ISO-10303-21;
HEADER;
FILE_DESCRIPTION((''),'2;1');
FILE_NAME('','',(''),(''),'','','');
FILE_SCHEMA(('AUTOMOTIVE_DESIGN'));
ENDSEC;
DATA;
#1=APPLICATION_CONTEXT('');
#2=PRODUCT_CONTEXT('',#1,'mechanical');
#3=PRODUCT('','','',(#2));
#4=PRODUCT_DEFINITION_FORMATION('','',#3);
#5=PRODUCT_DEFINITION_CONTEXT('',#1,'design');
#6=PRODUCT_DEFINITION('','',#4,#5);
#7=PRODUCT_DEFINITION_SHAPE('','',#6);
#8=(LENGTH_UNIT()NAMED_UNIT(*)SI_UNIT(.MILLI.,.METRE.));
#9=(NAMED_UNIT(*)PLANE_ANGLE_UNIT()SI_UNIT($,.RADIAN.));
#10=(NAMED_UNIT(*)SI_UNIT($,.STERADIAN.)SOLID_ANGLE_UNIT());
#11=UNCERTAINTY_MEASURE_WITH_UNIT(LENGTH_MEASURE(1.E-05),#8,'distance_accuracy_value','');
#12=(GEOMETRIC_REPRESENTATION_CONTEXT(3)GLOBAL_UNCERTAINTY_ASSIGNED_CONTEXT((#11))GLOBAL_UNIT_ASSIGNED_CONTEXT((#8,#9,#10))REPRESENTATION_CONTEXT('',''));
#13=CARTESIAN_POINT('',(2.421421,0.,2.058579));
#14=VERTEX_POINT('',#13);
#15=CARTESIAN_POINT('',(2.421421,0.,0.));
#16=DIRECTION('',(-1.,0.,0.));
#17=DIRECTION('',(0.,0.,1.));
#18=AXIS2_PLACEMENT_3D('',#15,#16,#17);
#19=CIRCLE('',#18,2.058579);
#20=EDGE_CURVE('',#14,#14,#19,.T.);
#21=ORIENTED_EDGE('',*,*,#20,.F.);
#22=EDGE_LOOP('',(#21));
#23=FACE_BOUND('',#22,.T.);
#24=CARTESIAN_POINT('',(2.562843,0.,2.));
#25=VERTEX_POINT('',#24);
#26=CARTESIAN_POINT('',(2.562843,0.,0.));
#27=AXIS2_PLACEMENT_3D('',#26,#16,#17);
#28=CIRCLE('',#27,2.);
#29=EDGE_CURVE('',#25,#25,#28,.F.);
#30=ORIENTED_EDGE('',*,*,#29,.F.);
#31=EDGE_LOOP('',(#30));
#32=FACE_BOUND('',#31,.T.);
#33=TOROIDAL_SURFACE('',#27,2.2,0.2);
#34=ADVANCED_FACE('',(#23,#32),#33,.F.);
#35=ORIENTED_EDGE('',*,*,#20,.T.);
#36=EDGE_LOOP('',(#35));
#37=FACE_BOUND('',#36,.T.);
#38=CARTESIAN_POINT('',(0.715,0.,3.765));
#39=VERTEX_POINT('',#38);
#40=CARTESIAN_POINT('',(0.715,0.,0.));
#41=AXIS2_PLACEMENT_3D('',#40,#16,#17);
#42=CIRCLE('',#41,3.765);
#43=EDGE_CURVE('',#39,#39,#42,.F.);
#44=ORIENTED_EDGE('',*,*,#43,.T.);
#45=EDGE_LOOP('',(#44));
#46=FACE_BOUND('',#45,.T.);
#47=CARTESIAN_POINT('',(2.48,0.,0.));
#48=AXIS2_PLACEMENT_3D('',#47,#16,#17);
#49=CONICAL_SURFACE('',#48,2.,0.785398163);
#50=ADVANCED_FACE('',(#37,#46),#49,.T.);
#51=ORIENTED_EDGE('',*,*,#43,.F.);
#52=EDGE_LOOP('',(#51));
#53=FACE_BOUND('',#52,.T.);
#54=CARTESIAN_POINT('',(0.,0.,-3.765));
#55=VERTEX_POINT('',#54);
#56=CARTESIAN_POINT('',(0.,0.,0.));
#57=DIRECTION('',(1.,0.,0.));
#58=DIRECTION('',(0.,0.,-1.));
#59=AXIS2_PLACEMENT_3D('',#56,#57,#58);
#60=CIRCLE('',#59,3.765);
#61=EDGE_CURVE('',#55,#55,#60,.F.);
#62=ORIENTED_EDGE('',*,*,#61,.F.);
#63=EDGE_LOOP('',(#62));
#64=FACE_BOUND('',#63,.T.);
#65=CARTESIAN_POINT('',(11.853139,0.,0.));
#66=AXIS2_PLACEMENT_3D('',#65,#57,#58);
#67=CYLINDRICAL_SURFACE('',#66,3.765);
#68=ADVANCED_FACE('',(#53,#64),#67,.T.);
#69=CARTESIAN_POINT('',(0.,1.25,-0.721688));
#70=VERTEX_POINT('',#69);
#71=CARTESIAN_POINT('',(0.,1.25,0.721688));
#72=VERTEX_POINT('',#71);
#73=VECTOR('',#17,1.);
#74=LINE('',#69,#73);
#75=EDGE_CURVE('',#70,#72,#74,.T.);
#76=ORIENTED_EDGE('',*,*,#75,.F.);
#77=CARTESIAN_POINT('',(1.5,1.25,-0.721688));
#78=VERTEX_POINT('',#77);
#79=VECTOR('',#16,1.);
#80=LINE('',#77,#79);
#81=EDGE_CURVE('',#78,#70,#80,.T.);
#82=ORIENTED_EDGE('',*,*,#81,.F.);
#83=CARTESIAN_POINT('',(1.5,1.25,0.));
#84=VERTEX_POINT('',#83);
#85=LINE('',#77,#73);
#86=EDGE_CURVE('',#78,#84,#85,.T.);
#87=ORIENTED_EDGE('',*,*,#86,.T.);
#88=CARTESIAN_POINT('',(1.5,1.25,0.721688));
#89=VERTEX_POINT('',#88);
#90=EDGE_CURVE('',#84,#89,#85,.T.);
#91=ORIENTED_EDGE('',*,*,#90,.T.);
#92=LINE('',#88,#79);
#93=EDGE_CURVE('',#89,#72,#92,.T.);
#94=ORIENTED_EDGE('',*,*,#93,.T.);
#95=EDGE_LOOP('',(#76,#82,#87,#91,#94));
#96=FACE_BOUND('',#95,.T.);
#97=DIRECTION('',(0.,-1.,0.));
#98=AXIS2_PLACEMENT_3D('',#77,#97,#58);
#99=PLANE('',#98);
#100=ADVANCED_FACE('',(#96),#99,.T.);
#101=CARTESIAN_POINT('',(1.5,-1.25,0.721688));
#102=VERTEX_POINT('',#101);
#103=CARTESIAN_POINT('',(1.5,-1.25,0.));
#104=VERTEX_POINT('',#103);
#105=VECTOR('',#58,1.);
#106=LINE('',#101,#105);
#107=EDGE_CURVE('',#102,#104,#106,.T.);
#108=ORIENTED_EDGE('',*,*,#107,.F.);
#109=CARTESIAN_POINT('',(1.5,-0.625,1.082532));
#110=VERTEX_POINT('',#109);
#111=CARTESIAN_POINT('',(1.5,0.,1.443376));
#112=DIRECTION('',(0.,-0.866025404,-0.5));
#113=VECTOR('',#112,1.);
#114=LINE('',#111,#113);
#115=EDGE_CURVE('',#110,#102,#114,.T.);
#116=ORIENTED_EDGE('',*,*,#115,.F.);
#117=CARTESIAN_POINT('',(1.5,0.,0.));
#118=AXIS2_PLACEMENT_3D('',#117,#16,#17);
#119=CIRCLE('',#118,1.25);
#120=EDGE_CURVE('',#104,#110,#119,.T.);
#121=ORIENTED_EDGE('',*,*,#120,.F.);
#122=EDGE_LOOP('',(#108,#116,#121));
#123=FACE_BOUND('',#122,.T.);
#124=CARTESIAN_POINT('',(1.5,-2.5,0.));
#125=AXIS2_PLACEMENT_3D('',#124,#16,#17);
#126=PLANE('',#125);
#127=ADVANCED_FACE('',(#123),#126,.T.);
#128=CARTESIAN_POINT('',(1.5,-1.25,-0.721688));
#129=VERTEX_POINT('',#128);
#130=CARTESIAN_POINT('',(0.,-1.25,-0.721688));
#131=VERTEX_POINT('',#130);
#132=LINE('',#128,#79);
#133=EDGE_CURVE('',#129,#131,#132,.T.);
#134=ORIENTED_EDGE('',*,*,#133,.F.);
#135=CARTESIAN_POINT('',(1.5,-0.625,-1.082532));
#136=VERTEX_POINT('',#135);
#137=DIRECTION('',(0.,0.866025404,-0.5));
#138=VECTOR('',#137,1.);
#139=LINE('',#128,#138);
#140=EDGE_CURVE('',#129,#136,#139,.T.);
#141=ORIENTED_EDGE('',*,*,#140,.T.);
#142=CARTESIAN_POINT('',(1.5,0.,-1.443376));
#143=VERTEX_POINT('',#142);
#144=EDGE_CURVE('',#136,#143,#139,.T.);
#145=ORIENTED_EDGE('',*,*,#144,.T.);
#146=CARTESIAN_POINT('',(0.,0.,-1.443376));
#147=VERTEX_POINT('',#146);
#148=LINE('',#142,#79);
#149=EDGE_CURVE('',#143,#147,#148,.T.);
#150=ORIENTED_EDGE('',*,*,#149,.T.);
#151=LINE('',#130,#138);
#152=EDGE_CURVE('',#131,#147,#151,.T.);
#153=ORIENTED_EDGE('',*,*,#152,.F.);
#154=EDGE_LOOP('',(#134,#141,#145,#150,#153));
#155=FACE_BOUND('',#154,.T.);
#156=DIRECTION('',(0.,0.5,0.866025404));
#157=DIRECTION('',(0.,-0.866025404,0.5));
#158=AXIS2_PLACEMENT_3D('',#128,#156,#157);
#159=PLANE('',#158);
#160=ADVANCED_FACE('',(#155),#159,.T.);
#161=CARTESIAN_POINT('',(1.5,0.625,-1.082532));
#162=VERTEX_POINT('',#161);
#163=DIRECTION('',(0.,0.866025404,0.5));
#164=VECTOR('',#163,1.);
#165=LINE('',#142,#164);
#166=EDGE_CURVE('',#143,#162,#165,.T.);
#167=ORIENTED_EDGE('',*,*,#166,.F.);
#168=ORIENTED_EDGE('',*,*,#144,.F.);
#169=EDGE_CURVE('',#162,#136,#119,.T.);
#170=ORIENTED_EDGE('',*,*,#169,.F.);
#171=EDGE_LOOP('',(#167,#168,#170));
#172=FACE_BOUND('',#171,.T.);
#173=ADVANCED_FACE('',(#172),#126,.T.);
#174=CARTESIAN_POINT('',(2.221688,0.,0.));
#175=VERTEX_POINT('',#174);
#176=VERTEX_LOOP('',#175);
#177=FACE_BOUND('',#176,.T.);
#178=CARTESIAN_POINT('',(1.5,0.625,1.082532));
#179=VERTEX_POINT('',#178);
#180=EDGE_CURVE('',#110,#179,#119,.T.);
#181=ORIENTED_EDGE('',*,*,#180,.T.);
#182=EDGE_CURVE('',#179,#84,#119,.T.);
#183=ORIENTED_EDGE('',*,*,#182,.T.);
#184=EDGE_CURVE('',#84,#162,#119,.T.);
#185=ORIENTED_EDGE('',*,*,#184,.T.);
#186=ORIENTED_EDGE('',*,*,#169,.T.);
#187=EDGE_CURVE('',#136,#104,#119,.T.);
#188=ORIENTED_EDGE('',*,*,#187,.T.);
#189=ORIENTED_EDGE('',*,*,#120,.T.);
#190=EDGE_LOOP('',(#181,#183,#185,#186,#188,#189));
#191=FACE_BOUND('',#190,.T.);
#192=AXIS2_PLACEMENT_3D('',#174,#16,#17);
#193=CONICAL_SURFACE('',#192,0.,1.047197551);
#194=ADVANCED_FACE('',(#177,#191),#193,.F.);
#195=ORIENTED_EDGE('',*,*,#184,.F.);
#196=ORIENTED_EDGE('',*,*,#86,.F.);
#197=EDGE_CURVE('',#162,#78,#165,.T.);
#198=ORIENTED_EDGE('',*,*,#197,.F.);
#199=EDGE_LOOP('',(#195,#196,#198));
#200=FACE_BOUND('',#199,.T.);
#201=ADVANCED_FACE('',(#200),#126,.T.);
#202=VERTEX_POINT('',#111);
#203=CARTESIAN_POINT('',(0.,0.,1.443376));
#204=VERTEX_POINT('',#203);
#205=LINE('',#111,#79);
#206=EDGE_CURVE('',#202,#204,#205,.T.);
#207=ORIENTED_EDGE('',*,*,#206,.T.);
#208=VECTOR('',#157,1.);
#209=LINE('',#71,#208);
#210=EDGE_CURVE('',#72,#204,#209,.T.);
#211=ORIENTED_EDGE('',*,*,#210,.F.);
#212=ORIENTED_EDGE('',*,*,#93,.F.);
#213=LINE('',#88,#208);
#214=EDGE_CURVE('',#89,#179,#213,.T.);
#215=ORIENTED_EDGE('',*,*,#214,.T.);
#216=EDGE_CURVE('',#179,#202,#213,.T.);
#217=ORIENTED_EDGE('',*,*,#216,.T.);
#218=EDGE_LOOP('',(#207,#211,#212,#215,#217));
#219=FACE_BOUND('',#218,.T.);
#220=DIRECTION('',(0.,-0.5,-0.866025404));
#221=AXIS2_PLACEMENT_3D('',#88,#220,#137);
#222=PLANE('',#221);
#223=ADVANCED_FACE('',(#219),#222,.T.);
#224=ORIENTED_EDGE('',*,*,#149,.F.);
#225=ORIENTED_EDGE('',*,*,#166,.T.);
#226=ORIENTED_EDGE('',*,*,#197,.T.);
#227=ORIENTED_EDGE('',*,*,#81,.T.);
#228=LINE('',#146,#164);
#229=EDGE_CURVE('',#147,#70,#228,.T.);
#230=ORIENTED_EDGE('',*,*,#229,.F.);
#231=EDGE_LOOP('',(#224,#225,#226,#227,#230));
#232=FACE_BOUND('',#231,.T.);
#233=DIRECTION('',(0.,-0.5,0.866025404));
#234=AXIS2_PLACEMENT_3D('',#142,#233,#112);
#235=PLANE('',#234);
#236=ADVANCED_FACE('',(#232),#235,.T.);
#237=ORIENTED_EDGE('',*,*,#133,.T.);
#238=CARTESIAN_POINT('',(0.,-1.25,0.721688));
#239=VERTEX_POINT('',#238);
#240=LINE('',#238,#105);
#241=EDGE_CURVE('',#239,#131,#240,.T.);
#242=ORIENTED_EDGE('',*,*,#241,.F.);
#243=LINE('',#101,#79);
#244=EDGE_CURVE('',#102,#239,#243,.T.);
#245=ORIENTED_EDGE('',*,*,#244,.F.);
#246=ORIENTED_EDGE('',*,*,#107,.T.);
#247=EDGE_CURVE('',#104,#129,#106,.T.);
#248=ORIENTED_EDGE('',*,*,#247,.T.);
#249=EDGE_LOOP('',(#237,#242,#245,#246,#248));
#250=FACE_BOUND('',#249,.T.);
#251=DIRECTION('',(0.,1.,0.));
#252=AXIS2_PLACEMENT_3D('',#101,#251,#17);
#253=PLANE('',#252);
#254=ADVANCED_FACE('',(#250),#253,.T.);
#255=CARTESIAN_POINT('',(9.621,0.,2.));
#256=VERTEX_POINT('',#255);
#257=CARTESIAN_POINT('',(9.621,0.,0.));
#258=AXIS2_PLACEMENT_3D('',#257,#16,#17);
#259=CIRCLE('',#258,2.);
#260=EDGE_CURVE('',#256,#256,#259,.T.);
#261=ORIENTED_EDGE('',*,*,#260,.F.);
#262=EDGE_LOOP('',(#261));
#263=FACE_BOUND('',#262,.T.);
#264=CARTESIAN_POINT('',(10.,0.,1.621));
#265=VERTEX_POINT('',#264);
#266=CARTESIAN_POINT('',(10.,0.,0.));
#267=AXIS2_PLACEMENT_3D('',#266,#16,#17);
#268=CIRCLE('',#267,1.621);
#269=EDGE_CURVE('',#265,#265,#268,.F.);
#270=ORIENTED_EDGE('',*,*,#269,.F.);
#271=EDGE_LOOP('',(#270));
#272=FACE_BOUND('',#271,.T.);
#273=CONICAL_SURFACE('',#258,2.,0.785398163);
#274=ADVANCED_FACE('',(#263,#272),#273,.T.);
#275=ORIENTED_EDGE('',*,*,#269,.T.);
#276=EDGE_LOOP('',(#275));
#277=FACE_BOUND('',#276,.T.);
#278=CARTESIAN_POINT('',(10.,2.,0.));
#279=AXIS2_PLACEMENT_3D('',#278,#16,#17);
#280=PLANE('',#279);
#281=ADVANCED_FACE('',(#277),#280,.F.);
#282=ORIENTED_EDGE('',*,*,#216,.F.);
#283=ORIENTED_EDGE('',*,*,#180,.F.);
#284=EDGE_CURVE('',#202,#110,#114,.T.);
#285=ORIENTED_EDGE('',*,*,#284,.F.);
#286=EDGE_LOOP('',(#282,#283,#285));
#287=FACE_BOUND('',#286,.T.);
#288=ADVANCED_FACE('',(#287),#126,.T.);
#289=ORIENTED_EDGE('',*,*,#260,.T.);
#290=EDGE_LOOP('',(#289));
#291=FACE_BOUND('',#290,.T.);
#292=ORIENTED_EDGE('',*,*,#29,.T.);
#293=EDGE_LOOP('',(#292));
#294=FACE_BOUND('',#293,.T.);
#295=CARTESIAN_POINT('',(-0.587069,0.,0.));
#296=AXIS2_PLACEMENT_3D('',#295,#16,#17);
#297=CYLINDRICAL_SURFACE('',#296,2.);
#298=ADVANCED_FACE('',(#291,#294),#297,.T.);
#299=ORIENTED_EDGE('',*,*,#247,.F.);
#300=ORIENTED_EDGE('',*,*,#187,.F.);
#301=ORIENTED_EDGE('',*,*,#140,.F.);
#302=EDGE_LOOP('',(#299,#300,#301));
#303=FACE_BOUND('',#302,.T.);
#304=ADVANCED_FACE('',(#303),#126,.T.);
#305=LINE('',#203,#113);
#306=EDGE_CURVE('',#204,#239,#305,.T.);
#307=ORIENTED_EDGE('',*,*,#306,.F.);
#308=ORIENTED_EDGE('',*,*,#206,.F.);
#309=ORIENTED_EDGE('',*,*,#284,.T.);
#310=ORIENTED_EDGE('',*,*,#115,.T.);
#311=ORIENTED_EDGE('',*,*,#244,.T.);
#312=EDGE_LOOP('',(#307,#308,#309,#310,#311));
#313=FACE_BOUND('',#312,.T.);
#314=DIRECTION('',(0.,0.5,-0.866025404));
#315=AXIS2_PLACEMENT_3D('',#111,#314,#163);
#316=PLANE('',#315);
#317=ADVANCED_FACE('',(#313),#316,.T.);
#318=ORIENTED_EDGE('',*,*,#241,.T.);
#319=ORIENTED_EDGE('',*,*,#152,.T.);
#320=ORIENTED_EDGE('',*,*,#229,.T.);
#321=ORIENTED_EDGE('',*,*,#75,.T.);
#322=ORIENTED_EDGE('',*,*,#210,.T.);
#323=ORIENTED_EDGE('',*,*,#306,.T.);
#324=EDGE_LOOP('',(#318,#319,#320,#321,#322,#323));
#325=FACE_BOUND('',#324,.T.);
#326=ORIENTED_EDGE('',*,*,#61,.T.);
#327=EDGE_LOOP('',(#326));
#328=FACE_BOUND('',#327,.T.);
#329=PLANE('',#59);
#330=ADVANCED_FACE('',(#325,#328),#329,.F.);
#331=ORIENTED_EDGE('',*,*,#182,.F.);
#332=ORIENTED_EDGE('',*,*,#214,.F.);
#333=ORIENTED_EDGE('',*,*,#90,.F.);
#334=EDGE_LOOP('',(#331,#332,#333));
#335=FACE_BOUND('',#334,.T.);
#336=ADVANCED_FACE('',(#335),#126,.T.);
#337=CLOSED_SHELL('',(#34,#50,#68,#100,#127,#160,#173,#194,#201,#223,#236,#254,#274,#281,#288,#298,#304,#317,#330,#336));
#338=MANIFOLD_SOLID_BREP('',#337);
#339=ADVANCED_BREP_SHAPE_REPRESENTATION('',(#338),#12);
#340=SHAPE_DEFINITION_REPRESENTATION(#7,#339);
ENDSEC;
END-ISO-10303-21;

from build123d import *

# Parameters (mm, degrees)
HEXAGONSOCKET_DEPTH = 1.5
HEADFILLET_R        = 0.2
CHAMFER_2_SIZE      = 0.379
SKETCH4_W           = 5
SKETCH4_H           = 5


with BuildPart() as part:
    # Sketch1 → Base (revolve)
    with BuildSketch(Plane.XY, mode=Mode.PRIVATE) as base_sk:
        Polygon((0, 0), (0, 4.48), (2.48, 2), (10, 2), (10, 0), align=None)
    revolve(base_sk.sketch.rotate(Axis((-0.587069181, 0, 0), (1, 0, 0)), 90), axis=Axis((-0.587069181, 0, 0), (1, 0, 0)))

    # Sketch2 → HexagonSocket (cut)
    with BuildSketch(Plane(origin=(0, 0, 0), x_dir=(0, 0, -1), z_dir=(1, 0, 0))):
        Polygon((1.443375673, 0), (0.721687836, 1.25), (-0.721687836, 1.25), (-1.443375673, 0), (-0.721687836, -1.25), (0.721687836, -1.25), align=None)
    extrude(amount=HEXAGONSOCKET_DEPTH, mode=Mode.SUBTRACT)

    # Sketch3 → Cut-Revolve1 (revolve, cut)
    with BuildSketch(Plane.XY, mode=Mode.PRIVATE) as cut_revolve1_sk:
        Polygon((1.5, 1.25), (2.221687836, 0), (1.5, 0), align=None)
    revolve(cut_revolve1_sk.sketch.rotate(Axis((-0.439109555, 0, 0), (1, 0, 0)), 90), axis=Axis((-0.439109555, 0, 0), (1, 0, 0)), mode=Mode.SUBTRACT)

    # HeadFillet
    headfillet_edges = [part.edges().sort_by_distance(p)[0] for p in [
        (2.48, 0, -2),
    ]]
    fillet(headfillet_edges, radius=HEADFILLET_R)

    # Chamfer 2
    chamfer_2_edges = [part.edges().sort_by_distance(p)[0] for p in [
        (10, 0, -2),
    ]]
    chamfer(chamfer_2_edges, length=CHAMFER_2_SIZE)

    # Sketch4 → Cut-Revolve2 (revolve, cut)
    with BuildSketch(Plane(origin=(0, 0, 0), x_dir=(1, 0, 0), z_dir=(0, 1, 0)), mode=Mode.PRIVATE) as cut_revolve2_sk:
        with Locations((0.5, 6.265)):
            Rectangle(SKETCH4_W, SKETCH4_H)
    revolve(cut_revolve2_sk.sketch.rotate(Axis((11.853138686, 0, 0), (-1, 0, 0)), 180), axis=Axis((11.853138686, 0, 0), (-1, 0, 0)), mode=Mode.SUBTRACT)


solid = part.part
